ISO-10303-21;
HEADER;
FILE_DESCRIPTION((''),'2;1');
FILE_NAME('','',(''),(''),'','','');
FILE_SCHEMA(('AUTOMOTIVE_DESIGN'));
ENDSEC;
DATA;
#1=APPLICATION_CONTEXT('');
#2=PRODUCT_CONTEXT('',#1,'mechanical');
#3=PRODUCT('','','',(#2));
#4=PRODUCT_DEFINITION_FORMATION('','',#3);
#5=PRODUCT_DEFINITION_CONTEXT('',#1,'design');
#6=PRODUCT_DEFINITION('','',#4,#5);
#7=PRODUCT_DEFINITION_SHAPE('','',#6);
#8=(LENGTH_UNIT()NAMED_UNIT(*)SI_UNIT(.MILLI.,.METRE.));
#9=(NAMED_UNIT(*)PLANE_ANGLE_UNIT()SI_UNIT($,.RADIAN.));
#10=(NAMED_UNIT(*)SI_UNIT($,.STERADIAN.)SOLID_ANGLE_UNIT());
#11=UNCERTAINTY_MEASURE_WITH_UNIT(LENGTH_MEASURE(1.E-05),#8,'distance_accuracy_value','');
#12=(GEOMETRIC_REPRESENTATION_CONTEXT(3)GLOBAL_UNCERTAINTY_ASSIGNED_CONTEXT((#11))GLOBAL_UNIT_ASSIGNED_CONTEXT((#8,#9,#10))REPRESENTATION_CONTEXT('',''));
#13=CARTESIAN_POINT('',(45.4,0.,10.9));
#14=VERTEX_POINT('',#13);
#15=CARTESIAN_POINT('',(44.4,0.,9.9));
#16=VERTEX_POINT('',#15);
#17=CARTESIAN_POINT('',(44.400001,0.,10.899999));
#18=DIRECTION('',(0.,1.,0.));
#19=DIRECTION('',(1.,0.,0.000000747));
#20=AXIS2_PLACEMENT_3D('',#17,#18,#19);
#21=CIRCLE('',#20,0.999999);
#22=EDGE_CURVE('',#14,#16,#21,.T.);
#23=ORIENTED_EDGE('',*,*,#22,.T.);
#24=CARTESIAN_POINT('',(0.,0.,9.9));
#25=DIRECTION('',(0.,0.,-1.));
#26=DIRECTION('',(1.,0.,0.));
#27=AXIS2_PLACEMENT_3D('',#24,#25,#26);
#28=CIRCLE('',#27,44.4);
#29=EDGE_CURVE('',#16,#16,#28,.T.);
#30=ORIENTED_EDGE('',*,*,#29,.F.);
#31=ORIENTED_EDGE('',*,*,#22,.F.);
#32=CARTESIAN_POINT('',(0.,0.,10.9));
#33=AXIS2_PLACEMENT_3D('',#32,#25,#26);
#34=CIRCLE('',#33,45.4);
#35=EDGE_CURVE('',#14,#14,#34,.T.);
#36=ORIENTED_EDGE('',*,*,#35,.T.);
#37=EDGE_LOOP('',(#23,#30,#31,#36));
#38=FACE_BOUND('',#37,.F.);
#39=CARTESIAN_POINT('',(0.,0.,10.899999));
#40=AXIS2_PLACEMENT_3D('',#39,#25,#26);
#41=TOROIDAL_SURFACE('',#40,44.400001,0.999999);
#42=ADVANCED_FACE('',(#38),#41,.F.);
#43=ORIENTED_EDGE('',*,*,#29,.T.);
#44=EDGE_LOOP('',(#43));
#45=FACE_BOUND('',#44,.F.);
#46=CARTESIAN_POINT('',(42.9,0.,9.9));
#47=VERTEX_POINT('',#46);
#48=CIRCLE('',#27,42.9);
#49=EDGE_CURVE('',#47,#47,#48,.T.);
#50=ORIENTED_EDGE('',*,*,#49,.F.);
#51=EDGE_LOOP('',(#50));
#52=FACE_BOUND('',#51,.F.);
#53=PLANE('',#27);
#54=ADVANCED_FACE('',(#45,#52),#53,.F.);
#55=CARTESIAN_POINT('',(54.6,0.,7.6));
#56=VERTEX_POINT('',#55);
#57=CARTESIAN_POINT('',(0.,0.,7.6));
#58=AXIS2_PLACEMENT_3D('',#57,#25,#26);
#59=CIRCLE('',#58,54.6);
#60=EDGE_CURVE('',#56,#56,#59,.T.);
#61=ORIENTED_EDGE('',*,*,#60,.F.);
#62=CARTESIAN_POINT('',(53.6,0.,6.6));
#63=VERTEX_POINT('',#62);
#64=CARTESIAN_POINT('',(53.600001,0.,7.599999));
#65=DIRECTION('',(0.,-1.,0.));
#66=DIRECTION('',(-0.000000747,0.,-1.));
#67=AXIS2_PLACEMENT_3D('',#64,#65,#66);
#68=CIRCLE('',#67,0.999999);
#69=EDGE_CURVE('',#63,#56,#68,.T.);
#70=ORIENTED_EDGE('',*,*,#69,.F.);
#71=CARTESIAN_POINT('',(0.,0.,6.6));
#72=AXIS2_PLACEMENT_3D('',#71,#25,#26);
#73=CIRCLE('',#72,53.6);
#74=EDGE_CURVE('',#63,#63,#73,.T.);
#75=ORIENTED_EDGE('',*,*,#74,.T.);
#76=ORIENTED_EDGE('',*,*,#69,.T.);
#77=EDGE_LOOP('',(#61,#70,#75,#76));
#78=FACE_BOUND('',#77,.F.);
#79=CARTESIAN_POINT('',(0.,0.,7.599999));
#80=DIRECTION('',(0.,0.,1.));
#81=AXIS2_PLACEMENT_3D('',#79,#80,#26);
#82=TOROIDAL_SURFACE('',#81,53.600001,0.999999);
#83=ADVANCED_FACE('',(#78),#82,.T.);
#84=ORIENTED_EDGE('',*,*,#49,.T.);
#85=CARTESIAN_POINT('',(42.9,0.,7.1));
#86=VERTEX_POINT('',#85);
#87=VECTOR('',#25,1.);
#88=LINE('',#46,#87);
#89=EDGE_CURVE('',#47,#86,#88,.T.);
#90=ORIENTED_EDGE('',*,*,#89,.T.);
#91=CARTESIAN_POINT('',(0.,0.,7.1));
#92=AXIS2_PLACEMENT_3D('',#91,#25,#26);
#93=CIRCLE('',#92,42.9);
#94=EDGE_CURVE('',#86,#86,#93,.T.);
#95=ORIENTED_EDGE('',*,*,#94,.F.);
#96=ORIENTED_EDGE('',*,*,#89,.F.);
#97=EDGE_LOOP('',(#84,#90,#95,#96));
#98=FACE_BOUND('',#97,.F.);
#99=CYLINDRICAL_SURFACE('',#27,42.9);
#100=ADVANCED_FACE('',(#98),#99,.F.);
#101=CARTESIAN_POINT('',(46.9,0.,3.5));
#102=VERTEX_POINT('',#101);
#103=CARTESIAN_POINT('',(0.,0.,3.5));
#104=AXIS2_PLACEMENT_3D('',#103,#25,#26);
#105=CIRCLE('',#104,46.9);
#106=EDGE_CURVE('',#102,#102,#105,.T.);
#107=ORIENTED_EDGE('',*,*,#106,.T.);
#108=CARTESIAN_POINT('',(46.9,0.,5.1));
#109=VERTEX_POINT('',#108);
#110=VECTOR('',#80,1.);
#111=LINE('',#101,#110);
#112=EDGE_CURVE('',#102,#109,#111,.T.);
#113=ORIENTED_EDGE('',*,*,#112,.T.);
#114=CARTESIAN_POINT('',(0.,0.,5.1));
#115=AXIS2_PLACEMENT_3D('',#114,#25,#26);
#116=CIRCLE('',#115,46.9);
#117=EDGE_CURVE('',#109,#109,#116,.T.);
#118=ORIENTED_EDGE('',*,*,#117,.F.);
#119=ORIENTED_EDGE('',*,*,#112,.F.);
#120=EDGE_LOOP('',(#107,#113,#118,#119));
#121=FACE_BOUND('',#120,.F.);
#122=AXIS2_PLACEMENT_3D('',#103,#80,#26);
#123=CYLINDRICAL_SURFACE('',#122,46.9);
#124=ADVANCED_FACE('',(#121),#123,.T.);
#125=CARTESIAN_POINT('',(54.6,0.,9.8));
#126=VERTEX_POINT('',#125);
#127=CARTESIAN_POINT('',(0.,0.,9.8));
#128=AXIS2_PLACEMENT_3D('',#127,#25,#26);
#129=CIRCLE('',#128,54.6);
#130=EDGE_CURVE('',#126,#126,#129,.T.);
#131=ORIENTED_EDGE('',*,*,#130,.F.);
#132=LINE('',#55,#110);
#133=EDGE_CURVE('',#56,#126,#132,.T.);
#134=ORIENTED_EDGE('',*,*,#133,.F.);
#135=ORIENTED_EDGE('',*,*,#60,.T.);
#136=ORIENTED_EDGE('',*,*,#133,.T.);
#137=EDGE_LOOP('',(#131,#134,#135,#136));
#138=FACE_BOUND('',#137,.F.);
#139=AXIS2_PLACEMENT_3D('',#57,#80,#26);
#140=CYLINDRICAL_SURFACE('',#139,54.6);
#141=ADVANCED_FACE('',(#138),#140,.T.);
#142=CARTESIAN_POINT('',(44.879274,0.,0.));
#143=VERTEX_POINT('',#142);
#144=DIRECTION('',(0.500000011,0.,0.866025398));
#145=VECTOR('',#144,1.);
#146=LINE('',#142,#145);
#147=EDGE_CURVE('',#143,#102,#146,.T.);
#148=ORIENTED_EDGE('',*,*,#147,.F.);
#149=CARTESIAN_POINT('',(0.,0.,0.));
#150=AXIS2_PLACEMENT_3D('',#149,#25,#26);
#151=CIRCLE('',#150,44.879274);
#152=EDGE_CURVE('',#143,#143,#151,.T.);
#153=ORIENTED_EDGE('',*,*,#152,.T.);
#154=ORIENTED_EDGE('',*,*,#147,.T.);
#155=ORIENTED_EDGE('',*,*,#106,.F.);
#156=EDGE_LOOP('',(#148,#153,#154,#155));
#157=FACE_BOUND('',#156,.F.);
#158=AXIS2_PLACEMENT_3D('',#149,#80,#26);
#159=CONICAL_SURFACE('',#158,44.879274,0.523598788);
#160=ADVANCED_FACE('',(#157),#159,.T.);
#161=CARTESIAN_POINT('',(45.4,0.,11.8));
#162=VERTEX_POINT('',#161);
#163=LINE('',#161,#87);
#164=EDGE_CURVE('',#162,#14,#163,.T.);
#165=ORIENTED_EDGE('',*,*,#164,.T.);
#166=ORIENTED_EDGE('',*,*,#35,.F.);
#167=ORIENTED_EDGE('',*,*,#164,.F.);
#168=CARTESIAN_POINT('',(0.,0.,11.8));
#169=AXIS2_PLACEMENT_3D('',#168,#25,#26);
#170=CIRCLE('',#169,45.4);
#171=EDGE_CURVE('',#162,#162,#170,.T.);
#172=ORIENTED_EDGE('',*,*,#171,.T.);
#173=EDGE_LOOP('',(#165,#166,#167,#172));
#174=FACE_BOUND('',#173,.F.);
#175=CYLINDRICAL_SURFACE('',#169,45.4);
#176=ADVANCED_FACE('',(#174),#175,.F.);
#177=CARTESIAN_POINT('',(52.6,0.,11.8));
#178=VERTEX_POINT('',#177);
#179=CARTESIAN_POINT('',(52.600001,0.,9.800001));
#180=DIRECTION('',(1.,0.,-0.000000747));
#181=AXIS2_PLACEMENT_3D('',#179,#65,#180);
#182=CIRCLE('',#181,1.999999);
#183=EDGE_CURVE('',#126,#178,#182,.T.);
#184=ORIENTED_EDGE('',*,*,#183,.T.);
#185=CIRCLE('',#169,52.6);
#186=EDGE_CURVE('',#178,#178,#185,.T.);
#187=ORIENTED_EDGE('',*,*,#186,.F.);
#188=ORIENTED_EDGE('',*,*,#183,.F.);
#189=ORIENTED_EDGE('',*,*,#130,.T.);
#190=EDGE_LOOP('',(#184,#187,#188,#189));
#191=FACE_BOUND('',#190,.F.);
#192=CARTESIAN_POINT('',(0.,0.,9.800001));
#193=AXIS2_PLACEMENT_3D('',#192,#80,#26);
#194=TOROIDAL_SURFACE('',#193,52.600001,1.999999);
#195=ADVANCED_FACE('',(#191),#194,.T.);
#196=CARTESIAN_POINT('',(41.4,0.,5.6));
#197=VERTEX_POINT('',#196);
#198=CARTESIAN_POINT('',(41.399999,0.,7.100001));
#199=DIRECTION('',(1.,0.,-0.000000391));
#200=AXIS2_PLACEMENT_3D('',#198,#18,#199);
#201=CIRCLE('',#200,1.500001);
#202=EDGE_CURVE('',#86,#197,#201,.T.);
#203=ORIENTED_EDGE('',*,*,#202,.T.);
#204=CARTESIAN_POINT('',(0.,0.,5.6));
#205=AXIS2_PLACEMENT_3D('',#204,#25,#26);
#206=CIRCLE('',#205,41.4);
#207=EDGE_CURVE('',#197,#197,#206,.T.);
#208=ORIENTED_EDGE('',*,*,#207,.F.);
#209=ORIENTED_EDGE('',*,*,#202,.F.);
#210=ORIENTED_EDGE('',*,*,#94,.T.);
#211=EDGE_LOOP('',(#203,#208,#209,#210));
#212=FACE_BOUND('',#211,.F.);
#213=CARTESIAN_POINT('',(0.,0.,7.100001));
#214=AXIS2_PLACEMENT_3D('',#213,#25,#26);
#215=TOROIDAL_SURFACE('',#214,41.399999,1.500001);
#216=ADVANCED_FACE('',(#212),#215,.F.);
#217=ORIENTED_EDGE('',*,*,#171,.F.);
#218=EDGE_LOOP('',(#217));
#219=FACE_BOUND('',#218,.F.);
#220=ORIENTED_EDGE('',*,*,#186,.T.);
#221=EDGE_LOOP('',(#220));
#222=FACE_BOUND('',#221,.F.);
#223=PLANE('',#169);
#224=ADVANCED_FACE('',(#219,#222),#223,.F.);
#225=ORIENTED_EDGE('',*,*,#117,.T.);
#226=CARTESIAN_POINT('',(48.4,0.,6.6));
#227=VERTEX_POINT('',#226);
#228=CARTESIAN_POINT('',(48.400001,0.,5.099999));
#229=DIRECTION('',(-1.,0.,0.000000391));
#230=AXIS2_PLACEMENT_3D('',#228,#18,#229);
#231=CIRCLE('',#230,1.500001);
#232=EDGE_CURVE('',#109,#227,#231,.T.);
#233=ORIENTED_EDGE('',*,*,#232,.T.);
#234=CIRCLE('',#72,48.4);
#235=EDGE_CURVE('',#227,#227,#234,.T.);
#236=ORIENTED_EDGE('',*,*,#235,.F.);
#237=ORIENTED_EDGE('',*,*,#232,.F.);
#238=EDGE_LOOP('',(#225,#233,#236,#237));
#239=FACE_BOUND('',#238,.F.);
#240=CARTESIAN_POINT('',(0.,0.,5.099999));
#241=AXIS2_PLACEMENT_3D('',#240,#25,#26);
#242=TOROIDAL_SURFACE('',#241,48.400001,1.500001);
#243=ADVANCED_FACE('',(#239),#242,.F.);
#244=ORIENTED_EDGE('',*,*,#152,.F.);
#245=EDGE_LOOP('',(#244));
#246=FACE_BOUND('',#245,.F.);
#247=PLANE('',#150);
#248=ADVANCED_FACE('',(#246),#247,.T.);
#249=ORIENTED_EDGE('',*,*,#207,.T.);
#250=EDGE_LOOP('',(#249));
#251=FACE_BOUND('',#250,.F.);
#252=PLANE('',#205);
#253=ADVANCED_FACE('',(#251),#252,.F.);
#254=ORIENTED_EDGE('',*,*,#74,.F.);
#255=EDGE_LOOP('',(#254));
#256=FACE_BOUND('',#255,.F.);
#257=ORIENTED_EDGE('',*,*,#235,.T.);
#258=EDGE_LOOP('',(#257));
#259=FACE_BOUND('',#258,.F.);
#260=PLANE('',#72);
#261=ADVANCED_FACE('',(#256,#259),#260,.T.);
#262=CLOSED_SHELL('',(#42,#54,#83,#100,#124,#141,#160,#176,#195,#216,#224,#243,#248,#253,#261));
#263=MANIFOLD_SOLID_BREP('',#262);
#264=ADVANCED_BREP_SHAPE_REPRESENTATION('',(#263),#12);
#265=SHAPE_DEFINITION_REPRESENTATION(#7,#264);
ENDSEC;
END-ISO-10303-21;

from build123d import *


with BuildPart() as f1:
    # F0 (on Front) → F1 (revolve)
    with BuildSketch(Plane.XZ):
        with BuildLine():
            Line((54.6, 7.6), (54.6, 9.8))
            ThreePointArc((54.6, 9.8), (54.014214, 11.214214), (52.6, 11.8))
            Line((52.6, 11.8), (45.4, 11.8))
            Line((45.4, 11.8), (45.4, 10.9))
            ThreePointArc((45.4, 10.9), (45.107107, 10.192893), (44.4, 9.9))
            Line((44.4, 9.9), (42.9, 9.9))
            Line((42.9, 9.9), (42.9, 7.1))
            ThreePointArc((42.9, 7.1), (42.46066, 6.03934), (41.4, 5.6))
            Line((41.4, 5.6), (0, 5.6))
            Line((0, 5.6), (0, 0))
            Line((0, 0), (44.879274, 0))
            Line((44.879274, 0), (46.9, 3.5))
            Line((46.9, 3.5), (46.9, 5.1))
            ThreePointArc((46.9, 5.1), (47.33934, 6.16066), (48.4, 6.6))
            Line((48.4, 6.6), (53.6, 6.6))
            ThreePointArc((53.6, 6.6), (54.307107, 6.892893), (54.6, 7.6))
        make_face()
    revolve(axis=Axis((0, 0, 2.8), (0, 0, -1)))


solid = f1.part
